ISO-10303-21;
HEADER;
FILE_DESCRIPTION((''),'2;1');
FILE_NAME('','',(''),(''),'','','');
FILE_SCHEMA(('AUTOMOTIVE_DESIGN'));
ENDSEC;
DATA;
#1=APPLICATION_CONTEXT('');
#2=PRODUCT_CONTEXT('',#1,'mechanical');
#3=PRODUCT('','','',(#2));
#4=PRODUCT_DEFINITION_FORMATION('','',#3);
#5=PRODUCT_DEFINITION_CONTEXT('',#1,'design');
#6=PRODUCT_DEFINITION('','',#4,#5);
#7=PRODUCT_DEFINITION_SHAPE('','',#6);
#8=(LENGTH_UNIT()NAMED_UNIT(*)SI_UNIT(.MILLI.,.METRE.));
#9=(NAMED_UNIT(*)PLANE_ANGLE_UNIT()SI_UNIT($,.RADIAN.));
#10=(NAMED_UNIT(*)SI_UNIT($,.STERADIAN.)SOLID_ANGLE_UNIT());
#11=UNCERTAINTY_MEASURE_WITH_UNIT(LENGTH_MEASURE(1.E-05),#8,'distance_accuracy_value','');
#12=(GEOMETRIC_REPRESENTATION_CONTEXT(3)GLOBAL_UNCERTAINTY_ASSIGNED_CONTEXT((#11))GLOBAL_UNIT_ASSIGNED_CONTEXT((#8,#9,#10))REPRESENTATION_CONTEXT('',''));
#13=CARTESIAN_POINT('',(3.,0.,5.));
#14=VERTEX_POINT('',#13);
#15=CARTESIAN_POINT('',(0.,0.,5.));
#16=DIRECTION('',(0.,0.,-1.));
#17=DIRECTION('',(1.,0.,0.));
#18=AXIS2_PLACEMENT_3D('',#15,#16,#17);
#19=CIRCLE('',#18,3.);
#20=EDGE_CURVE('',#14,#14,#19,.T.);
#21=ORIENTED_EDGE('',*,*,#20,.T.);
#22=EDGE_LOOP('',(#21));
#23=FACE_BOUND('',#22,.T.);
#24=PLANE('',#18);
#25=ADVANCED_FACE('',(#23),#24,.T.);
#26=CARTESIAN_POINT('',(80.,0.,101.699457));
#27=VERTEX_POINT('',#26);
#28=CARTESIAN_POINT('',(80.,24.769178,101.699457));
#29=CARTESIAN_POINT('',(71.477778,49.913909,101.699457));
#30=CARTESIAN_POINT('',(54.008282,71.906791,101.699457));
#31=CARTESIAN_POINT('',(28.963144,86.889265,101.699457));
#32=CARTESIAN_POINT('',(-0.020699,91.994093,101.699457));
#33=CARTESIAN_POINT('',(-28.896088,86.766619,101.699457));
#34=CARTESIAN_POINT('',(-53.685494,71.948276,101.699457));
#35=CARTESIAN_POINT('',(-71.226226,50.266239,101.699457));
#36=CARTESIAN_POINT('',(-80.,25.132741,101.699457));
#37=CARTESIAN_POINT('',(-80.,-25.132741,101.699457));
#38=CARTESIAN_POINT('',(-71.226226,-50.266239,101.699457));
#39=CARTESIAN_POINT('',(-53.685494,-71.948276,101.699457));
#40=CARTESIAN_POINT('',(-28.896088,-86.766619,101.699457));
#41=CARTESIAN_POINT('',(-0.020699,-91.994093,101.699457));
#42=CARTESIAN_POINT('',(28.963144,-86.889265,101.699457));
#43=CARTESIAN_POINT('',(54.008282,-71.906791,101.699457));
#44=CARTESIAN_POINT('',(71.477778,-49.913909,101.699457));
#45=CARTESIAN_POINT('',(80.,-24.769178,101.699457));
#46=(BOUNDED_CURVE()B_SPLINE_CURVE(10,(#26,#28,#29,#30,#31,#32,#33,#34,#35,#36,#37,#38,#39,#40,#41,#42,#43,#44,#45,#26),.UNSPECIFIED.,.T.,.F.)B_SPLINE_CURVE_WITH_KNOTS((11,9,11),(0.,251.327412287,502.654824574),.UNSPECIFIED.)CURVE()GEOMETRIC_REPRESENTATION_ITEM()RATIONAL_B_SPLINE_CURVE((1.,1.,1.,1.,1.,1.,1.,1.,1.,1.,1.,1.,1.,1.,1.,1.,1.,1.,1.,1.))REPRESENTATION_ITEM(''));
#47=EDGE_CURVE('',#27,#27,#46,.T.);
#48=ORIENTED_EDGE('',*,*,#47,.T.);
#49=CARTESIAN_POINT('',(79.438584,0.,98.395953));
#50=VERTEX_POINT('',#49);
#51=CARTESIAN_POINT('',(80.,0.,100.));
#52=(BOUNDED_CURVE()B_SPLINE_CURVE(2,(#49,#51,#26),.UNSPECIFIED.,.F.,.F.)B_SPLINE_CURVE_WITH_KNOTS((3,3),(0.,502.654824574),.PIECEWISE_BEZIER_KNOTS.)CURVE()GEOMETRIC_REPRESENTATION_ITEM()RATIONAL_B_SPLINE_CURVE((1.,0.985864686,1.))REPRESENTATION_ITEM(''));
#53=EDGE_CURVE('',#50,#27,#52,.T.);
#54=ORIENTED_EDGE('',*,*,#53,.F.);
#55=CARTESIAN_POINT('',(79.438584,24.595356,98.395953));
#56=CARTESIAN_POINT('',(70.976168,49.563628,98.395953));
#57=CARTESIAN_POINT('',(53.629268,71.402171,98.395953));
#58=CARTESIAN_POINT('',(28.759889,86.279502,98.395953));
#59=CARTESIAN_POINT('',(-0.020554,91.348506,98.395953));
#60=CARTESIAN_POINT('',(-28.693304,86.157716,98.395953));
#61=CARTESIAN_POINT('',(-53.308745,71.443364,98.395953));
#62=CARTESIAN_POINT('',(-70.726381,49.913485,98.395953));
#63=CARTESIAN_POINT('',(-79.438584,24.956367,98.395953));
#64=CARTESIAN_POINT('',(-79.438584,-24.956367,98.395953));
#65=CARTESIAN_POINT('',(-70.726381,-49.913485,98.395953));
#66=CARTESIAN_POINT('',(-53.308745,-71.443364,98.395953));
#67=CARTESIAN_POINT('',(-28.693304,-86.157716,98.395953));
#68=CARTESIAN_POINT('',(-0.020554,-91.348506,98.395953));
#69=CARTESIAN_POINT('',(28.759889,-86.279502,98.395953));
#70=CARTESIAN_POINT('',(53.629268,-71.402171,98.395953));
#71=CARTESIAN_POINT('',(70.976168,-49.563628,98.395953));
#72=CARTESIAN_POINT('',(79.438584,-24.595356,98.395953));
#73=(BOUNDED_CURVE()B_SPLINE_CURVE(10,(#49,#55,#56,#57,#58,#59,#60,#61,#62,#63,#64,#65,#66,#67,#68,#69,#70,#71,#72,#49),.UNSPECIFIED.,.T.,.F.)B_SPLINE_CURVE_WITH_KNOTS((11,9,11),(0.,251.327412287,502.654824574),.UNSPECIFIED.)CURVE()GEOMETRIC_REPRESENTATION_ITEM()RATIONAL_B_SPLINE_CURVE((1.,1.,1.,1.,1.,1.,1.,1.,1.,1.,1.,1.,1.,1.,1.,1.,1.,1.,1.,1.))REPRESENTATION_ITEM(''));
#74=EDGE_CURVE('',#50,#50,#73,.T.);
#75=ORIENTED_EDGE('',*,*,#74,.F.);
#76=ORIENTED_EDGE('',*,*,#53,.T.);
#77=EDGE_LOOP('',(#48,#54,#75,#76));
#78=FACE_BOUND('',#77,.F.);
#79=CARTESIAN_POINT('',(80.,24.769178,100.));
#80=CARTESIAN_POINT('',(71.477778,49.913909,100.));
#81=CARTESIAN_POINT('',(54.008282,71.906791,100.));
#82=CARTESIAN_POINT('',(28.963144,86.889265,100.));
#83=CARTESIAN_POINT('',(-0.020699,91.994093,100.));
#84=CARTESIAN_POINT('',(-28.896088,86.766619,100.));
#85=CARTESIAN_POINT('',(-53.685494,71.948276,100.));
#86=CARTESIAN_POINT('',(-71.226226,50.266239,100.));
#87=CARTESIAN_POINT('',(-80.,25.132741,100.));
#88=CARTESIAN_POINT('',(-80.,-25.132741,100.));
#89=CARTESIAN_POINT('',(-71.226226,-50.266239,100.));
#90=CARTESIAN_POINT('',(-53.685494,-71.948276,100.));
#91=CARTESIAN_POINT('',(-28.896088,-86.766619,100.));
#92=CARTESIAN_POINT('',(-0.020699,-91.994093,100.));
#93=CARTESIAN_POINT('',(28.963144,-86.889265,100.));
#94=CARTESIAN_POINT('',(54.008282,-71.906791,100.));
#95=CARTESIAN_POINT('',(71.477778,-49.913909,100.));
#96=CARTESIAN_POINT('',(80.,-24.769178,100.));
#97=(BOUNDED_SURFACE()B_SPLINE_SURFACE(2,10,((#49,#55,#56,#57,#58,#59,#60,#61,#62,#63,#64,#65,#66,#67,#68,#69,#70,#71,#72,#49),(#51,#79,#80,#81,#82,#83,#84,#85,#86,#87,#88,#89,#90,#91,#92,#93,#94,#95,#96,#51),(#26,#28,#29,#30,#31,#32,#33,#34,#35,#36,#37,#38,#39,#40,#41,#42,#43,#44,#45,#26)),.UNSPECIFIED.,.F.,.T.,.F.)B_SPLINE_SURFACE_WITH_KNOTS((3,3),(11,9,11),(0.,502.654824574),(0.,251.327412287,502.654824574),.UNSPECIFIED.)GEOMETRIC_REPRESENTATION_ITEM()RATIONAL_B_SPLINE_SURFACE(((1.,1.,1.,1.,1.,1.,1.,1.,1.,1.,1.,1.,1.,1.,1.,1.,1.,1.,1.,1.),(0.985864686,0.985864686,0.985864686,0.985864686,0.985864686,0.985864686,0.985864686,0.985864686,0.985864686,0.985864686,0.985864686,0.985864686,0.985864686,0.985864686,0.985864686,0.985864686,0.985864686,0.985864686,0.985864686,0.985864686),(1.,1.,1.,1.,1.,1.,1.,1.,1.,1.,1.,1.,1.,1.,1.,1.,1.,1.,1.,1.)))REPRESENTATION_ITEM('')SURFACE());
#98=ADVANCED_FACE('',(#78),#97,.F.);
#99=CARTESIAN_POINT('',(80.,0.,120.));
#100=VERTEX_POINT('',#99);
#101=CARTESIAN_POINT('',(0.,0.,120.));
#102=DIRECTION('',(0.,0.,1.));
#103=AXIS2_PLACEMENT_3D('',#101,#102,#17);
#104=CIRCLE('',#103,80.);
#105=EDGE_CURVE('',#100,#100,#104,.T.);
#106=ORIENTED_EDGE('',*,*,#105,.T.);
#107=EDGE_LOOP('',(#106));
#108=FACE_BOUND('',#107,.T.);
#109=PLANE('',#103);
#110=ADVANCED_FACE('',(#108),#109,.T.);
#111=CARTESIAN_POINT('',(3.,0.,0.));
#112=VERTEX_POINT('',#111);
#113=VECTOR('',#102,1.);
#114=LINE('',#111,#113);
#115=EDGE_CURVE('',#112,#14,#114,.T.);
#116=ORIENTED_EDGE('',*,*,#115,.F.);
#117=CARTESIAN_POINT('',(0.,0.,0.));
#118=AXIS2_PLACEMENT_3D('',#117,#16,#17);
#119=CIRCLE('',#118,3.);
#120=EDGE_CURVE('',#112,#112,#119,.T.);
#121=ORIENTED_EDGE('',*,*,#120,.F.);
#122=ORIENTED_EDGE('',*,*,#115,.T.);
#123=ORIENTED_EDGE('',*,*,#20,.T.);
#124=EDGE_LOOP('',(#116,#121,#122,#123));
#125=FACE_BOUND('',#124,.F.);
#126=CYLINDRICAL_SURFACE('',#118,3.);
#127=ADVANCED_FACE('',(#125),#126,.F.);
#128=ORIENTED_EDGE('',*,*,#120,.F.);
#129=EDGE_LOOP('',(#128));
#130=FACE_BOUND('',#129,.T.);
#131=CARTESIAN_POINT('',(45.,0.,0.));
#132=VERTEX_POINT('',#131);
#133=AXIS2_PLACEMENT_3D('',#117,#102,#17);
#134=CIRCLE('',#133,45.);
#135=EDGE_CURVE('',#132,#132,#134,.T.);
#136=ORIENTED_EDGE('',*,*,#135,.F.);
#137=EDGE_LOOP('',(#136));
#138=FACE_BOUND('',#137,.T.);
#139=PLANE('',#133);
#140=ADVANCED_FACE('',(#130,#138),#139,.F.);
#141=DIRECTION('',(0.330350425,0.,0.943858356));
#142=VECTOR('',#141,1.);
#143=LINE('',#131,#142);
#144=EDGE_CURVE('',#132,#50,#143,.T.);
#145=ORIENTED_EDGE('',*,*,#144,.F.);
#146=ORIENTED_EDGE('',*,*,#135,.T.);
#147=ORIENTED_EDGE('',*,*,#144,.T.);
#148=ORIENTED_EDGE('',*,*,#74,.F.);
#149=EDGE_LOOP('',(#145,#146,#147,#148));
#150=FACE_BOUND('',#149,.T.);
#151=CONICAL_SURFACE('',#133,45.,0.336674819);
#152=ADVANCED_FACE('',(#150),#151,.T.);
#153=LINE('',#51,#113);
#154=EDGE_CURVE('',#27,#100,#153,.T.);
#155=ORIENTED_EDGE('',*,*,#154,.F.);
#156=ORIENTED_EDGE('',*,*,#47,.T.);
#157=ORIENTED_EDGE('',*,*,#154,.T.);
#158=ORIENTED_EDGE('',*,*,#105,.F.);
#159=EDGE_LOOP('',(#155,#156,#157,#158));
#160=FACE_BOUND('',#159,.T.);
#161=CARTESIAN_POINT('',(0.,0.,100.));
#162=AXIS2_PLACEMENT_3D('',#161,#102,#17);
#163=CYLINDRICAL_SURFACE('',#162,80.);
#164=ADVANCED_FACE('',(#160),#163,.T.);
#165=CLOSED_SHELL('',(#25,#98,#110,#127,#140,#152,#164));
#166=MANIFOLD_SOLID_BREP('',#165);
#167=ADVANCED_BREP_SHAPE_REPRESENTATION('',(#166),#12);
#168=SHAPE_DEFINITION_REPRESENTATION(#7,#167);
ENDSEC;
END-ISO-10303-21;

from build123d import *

# Parameters (mm, degrees)
F2_R     = 3
F3_DEPTH = 5
F4_R     = 10


with BuildPart() as f1:
    # F0 (on Front) → F1 (revolve)
    with BuildSketch(Plane.XZ):
        Polygon((0, 120), (0, 0), (45, 0), (80, 100), (80, 120), align=None)
    revolve(axis=Axis((0, 0, 170.90906), (0, 0, 1)))

    # F2 (on face) → F3 (cut)
    with BuildSketch(Plane(origin=(0, 0, 0), x_dir=(1, 0, 0), z_dir=(0, 0, -1))):
        Circle(F2_R)
    extrude(amount=-F3_DEPTH, mode=Mode.SUBTRACT)

    # F4
    f4_edges = [f1.edges().sort_by_distance(p)[0] for p in [
        (-80, 0, 100),
    ]]
    fillet(f4_edges, radius=F4_R)


solid = f1.part
